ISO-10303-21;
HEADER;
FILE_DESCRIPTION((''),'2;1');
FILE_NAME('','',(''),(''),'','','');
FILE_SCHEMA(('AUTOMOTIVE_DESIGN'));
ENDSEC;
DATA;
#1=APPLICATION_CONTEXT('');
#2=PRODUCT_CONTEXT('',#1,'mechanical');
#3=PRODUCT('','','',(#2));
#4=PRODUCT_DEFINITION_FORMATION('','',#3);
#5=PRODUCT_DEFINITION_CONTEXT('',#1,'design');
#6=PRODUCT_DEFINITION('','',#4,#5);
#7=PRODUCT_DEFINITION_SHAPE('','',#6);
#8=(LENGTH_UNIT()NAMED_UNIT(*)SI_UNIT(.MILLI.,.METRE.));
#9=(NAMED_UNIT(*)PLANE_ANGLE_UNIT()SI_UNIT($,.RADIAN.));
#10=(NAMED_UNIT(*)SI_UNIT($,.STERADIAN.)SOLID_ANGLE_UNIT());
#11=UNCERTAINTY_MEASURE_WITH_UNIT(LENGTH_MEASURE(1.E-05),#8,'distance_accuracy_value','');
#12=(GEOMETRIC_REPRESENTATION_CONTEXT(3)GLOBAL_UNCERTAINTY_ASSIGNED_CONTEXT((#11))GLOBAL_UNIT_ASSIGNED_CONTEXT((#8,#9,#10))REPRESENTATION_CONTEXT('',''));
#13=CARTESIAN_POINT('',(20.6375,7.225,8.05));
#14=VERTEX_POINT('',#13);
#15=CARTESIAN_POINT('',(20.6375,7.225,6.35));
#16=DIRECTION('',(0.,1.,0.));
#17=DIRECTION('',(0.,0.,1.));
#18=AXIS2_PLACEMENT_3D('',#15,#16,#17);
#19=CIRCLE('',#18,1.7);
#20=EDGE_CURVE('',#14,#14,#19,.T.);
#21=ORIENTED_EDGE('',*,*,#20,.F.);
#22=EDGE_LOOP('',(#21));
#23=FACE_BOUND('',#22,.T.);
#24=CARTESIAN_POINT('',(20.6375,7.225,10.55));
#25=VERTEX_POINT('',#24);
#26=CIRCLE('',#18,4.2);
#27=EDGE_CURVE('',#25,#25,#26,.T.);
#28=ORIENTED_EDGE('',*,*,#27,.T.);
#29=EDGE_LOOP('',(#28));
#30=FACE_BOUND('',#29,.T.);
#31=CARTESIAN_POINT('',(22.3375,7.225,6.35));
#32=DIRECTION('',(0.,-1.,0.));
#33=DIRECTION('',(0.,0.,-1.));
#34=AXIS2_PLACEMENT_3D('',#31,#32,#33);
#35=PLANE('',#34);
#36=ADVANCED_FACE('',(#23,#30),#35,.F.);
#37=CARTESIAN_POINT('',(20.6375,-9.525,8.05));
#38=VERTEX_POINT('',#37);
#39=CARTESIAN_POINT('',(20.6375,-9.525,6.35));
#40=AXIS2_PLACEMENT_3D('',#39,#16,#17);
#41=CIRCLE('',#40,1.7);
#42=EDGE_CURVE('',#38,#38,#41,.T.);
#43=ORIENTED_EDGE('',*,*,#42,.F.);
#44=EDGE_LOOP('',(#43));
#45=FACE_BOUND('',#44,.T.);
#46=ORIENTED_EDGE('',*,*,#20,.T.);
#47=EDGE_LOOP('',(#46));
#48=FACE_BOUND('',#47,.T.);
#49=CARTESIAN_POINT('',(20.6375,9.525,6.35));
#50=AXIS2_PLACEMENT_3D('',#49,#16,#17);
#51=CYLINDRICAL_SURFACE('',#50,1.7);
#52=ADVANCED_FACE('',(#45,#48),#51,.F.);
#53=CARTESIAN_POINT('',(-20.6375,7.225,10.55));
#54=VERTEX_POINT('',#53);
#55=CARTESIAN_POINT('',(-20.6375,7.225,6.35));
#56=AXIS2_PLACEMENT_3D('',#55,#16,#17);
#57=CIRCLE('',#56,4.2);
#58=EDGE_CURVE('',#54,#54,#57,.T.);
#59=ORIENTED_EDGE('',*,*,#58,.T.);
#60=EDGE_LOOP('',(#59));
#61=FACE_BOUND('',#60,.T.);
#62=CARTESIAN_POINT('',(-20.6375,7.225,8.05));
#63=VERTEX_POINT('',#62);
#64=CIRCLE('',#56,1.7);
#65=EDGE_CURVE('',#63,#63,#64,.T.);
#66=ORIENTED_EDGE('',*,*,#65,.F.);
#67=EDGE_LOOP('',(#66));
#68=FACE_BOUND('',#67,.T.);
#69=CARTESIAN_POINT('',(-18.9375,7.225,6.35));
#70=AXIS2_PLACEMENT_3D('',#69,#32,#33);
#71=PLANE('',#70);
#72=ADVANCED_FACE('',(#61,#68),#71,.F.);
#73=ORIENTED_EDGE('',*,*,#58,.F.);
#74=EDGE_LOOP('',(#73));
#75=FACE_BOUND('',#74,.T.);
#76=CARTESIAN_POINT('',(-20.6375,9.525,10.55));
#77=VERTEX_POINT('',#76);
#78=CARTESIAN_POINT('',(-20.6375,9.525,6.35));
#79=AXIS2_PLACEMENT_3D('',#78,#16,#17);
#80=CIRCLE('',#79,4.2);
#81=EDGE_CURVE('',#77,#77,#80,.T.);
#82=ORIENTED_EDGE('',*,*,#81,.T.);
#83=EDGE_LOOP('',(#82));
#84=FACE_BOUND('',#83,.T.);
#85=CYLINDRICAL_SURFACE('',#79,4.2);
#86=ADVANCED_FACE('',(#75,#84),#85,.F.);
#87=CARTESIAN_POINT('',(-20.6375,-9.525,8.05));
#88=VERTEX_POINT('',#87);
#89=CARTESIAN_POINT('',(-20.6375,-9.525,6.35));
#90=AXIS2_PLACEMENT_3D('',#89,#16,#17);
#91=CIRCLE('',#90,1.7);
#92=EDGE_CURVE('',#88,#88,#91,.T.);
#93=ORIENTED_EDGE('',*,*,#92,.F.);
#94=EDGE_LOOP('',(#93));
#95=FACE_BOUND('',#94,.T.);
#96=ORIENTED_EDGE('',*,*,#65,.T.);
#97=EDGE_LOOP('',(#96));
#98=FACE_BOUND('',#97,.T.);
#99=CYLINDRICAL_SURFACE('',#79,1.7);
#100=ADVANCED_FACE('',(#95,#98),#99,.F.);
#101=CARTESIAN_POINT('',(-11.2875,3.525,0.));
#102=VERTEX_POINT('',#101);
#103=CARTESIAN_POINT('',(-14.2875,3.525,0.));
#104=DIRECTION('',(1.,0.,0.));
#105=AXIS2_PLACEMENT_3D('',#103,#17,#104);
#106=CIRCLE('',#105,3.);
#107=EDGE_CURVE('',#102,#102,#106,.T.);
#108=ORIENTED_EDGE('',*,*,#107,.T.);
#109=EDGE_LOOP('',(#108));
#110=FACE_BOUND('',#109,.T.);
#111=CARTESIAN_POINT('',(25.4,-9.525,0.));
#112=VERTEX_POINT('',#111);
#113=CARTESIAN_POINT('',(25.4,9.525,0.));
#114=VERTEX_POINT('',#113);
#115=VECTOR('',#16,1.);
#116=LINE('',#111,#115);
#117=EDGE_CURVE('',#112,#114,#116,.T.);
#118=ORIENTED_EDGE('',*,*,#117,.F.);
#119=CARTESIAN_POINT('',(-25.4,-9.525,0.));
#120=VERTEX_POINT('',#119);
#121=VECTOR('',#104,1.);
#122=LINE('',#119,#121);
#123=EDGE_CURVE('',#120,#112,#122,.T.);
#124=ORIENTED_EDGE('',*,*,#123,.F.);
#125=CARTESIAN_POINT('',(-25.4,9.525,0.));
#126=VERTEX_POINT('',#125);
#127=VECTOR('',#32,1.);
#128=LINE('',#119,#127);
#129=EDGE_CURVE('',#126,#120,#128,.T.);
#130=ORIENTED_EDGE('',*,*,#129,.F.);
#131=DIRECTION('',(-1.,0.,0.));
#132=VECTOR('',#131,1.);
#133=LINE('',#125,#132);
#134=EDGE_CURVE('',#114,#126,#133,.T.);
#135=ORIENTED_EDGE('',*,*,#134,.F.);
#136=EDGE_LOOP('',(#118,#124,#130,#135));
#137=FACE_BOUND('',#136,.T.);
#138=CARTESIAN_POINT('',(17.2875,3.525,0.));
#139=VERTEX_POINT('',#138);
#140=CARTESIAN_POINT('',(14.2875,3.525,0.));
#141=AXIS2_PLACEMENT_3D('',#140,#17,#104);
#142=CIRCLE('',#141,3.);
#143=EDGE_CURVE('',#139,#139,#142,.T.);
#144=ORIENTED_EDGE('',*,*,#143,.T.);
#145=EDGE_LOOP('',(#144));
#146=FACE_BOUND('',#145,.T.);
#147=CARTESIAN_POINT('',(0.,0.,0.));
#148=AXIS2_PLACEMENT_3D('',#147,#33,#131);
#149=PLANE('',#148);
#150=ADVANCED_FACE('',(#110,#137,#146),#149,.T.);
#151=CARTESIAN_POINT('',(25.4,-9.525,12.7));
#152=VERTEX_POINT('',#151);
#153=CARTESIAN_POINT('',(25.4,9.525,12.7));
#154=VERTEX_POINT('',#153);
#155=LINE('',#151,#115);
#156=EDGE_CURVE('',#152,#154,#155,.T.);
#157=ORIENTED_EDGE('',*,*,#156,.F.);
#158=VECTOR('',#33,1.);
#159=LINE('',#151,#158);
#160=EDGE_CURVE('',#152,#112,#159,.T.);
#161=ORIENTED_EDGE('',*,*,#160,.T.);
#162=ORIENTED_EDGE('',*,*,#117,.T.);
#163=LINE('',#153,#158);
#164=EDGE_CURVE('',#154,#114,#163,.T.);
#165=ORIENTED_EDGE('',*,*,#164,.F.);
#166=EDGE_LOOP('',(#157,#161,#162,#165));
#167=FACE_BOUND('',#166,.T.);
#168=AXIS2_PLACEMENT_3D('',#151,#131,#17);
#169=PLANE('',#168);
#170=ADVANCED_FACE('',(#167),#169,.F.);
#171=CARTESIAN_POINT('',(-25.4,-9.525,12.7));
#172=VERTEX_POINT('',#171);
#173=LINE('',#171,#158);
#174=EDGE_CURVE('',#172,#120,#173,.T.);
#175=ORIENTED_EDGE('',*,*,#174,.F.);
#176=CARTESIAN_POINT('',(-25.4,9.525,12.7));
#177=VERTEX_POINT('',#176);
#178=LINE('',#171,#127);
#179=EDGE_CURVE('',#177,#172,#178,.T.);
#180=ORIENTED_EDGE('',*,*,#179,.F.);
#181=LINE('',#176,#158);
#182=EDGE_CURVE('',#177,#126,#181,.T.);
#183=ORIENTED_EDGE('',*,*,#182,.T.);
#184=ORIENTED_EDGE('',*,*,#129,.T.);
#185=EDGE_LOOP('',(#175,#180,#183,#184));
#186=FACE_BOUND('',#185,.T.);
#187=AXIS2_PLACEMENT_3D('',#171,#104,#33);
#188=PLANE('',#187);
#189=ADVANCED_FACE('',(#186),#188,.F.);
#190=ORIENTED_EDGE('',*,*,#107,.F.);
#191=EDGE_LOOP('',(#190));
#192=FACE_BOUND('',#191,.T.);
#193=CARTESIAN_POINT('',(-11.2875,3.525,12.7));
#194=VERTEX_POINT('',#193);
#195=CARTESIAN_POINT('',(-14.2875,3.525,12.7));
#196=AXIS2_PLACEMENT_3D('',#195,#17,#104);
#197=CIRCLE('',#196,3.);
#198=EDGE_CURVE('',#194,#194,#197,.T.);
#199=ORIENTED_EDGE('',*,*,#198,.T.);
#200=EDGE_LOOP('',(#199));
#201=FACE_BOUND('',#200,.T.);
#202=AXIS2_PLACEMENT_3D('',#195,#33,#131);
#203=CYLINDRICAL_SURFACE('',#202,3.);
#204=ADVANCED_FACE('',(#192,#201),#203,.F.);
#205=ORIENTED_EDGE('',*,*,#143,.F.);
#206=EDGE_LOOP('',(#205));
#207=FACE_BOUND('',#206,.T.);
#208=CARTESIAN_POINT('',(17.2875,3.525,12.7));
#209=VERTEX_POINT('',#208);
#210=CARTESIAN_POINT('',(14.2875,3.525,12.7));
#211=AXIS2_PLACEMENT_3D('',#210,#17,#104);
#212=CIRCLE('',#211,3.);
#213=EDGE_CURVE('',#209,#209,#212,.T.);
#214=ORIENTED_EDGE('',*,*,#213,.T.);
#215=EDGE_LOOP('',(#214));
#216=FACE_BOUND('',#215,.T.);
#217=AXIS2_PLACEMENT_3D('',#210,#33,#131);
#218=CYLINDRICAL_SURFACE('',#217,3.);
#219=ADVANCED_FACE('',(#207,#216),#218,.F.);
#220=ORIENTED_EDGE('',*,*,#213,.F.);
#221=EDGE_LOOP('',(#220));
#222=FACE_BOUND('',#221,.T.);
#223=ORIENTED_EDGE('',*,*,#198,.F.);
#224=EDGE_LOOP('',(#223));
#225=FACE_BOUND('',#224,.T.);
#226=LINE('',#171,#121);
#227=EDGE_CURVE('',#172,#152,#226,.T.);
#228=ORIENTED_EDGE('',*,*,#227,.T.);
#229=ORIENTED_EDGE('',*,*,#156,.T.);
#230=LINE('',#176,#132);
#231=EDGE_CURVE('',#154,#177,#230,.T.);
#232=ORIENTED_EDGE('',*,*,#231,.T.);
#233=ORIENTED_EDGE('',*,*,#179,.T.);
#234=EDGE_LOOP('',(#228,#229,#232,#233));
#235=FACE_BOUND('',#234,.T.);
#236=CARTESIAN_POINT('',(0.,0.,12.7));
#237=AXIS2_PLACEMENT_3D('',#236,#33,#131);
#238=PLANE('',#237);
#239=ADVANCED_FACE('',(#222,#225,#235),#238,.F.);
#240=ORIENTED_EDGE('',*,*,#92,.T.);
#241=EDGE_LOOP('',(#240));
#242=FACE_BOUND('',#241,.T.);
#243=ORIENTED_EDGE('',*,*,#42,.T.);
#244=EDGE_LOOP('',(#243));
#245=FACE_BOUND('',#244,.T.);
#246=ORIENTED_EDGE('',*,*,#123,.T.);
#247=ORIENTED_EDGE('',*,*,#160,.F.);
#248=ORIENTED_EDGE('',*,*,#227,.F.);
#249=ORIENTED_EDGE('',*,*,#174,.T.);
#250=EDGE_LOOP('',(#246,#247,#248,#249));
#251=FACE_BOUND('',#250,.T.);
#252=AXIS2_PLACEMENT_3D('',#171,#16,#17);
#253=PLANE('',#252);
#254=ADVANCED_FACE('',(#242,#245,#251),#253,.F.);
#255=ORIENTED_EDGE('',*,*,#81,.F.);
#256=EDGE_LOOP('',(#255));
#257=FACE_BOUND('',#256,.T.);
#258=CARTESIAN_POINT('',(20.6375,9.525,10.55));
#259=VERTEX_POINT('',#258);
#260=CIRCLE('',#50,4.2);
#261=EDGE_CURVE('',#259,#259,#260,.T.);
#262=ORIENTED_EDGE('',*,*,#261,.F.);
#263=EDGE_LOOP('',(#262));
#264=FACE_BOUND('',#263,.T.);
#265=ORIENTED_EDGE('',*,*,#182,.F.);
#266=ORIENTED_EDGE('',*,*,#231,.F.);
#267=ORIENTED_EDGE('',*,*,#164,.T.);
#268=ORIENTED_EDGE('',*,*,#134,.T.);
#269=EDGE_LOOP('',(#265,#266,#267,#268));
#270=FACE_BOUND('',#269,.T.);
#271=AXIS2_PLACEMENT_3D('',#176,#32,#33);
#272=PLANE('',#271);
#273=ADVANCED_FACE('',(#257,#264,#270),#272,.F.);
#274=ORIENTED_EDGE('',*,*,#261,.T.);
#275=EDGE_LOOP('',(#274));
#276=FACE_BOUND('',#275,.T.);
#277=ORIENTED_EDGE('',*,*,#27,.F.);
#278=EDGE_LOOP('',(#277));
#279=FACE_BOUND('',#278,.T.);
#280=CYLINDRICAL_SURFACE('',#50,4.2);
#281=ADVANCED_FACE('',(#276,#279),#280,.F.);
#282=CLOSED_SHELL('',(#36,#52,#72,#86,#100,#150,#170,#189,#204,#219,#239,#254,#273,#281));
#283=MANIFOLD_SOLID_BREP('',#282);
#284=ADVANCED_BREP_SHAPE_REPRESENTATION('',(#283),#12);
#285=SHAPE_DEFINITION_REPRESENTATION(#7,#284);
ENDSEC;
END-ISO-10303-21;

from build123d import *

# Parameters (mm, degrees)
SKETCH1_W                                        = 50.8
SKETCH1_H                                        = 19.05
SKETCH1_R                                        = 3
BOSS_EXTRUDE1_DEPTH                              = 12.7
CBORE_FOR_M3_HEX_HEAD_MACHINE_SCREW1_D           = 3.4
CBORE_FOR_M3_HEX_HEAD_MACHINE_SCREW1_CBORE_D     = 8.4
CBORE_FOR_M3_HEX_HEAD_MACHINE_SCREW1_CBORE_DEPTH = 2.3


with BuildPart() as part:
    # Sketch1 → Boss-Extrude1 (new body)
    with BuildSketch(Plane.XY):
        Rectangle(SKETCH1_W, SKETCH1_H)
        with Locations((-14.2875, 3.525)):
            Circle(SKETCH1_R, mode=Mode.SUBTRACT)
        with Locations((14.2875, 3.525)):
            Circle(SKETCH1_R, mode=Mode.SUBTRACT)
    extrude(amount=BOSS_EXTRUDE1_DEPTH)

    # CBORE for M3 Hex Head Machine Screw1 (through all)
    with Locations(Plane(origin=(0, 9.525, 0), x_dir=(1, 0, 0), z_dir=(0, 1, 0))):
        with Locations((-20.6375, -6.35), (20.6375, -6.35)):
            CounterBoreHole(CBORE_FOR_M3_HEX_HEAD_MACHINE_SCREW1_D / 2, CBORE_FOR_M3_HEX_HEAD_MACHINE_SCREW1_CBORE_D / 2, CBORE_FOR_M3_HEX_HEAD_MACHINE_SCREW1_CBORE_DEPTH)


solid = part.part
